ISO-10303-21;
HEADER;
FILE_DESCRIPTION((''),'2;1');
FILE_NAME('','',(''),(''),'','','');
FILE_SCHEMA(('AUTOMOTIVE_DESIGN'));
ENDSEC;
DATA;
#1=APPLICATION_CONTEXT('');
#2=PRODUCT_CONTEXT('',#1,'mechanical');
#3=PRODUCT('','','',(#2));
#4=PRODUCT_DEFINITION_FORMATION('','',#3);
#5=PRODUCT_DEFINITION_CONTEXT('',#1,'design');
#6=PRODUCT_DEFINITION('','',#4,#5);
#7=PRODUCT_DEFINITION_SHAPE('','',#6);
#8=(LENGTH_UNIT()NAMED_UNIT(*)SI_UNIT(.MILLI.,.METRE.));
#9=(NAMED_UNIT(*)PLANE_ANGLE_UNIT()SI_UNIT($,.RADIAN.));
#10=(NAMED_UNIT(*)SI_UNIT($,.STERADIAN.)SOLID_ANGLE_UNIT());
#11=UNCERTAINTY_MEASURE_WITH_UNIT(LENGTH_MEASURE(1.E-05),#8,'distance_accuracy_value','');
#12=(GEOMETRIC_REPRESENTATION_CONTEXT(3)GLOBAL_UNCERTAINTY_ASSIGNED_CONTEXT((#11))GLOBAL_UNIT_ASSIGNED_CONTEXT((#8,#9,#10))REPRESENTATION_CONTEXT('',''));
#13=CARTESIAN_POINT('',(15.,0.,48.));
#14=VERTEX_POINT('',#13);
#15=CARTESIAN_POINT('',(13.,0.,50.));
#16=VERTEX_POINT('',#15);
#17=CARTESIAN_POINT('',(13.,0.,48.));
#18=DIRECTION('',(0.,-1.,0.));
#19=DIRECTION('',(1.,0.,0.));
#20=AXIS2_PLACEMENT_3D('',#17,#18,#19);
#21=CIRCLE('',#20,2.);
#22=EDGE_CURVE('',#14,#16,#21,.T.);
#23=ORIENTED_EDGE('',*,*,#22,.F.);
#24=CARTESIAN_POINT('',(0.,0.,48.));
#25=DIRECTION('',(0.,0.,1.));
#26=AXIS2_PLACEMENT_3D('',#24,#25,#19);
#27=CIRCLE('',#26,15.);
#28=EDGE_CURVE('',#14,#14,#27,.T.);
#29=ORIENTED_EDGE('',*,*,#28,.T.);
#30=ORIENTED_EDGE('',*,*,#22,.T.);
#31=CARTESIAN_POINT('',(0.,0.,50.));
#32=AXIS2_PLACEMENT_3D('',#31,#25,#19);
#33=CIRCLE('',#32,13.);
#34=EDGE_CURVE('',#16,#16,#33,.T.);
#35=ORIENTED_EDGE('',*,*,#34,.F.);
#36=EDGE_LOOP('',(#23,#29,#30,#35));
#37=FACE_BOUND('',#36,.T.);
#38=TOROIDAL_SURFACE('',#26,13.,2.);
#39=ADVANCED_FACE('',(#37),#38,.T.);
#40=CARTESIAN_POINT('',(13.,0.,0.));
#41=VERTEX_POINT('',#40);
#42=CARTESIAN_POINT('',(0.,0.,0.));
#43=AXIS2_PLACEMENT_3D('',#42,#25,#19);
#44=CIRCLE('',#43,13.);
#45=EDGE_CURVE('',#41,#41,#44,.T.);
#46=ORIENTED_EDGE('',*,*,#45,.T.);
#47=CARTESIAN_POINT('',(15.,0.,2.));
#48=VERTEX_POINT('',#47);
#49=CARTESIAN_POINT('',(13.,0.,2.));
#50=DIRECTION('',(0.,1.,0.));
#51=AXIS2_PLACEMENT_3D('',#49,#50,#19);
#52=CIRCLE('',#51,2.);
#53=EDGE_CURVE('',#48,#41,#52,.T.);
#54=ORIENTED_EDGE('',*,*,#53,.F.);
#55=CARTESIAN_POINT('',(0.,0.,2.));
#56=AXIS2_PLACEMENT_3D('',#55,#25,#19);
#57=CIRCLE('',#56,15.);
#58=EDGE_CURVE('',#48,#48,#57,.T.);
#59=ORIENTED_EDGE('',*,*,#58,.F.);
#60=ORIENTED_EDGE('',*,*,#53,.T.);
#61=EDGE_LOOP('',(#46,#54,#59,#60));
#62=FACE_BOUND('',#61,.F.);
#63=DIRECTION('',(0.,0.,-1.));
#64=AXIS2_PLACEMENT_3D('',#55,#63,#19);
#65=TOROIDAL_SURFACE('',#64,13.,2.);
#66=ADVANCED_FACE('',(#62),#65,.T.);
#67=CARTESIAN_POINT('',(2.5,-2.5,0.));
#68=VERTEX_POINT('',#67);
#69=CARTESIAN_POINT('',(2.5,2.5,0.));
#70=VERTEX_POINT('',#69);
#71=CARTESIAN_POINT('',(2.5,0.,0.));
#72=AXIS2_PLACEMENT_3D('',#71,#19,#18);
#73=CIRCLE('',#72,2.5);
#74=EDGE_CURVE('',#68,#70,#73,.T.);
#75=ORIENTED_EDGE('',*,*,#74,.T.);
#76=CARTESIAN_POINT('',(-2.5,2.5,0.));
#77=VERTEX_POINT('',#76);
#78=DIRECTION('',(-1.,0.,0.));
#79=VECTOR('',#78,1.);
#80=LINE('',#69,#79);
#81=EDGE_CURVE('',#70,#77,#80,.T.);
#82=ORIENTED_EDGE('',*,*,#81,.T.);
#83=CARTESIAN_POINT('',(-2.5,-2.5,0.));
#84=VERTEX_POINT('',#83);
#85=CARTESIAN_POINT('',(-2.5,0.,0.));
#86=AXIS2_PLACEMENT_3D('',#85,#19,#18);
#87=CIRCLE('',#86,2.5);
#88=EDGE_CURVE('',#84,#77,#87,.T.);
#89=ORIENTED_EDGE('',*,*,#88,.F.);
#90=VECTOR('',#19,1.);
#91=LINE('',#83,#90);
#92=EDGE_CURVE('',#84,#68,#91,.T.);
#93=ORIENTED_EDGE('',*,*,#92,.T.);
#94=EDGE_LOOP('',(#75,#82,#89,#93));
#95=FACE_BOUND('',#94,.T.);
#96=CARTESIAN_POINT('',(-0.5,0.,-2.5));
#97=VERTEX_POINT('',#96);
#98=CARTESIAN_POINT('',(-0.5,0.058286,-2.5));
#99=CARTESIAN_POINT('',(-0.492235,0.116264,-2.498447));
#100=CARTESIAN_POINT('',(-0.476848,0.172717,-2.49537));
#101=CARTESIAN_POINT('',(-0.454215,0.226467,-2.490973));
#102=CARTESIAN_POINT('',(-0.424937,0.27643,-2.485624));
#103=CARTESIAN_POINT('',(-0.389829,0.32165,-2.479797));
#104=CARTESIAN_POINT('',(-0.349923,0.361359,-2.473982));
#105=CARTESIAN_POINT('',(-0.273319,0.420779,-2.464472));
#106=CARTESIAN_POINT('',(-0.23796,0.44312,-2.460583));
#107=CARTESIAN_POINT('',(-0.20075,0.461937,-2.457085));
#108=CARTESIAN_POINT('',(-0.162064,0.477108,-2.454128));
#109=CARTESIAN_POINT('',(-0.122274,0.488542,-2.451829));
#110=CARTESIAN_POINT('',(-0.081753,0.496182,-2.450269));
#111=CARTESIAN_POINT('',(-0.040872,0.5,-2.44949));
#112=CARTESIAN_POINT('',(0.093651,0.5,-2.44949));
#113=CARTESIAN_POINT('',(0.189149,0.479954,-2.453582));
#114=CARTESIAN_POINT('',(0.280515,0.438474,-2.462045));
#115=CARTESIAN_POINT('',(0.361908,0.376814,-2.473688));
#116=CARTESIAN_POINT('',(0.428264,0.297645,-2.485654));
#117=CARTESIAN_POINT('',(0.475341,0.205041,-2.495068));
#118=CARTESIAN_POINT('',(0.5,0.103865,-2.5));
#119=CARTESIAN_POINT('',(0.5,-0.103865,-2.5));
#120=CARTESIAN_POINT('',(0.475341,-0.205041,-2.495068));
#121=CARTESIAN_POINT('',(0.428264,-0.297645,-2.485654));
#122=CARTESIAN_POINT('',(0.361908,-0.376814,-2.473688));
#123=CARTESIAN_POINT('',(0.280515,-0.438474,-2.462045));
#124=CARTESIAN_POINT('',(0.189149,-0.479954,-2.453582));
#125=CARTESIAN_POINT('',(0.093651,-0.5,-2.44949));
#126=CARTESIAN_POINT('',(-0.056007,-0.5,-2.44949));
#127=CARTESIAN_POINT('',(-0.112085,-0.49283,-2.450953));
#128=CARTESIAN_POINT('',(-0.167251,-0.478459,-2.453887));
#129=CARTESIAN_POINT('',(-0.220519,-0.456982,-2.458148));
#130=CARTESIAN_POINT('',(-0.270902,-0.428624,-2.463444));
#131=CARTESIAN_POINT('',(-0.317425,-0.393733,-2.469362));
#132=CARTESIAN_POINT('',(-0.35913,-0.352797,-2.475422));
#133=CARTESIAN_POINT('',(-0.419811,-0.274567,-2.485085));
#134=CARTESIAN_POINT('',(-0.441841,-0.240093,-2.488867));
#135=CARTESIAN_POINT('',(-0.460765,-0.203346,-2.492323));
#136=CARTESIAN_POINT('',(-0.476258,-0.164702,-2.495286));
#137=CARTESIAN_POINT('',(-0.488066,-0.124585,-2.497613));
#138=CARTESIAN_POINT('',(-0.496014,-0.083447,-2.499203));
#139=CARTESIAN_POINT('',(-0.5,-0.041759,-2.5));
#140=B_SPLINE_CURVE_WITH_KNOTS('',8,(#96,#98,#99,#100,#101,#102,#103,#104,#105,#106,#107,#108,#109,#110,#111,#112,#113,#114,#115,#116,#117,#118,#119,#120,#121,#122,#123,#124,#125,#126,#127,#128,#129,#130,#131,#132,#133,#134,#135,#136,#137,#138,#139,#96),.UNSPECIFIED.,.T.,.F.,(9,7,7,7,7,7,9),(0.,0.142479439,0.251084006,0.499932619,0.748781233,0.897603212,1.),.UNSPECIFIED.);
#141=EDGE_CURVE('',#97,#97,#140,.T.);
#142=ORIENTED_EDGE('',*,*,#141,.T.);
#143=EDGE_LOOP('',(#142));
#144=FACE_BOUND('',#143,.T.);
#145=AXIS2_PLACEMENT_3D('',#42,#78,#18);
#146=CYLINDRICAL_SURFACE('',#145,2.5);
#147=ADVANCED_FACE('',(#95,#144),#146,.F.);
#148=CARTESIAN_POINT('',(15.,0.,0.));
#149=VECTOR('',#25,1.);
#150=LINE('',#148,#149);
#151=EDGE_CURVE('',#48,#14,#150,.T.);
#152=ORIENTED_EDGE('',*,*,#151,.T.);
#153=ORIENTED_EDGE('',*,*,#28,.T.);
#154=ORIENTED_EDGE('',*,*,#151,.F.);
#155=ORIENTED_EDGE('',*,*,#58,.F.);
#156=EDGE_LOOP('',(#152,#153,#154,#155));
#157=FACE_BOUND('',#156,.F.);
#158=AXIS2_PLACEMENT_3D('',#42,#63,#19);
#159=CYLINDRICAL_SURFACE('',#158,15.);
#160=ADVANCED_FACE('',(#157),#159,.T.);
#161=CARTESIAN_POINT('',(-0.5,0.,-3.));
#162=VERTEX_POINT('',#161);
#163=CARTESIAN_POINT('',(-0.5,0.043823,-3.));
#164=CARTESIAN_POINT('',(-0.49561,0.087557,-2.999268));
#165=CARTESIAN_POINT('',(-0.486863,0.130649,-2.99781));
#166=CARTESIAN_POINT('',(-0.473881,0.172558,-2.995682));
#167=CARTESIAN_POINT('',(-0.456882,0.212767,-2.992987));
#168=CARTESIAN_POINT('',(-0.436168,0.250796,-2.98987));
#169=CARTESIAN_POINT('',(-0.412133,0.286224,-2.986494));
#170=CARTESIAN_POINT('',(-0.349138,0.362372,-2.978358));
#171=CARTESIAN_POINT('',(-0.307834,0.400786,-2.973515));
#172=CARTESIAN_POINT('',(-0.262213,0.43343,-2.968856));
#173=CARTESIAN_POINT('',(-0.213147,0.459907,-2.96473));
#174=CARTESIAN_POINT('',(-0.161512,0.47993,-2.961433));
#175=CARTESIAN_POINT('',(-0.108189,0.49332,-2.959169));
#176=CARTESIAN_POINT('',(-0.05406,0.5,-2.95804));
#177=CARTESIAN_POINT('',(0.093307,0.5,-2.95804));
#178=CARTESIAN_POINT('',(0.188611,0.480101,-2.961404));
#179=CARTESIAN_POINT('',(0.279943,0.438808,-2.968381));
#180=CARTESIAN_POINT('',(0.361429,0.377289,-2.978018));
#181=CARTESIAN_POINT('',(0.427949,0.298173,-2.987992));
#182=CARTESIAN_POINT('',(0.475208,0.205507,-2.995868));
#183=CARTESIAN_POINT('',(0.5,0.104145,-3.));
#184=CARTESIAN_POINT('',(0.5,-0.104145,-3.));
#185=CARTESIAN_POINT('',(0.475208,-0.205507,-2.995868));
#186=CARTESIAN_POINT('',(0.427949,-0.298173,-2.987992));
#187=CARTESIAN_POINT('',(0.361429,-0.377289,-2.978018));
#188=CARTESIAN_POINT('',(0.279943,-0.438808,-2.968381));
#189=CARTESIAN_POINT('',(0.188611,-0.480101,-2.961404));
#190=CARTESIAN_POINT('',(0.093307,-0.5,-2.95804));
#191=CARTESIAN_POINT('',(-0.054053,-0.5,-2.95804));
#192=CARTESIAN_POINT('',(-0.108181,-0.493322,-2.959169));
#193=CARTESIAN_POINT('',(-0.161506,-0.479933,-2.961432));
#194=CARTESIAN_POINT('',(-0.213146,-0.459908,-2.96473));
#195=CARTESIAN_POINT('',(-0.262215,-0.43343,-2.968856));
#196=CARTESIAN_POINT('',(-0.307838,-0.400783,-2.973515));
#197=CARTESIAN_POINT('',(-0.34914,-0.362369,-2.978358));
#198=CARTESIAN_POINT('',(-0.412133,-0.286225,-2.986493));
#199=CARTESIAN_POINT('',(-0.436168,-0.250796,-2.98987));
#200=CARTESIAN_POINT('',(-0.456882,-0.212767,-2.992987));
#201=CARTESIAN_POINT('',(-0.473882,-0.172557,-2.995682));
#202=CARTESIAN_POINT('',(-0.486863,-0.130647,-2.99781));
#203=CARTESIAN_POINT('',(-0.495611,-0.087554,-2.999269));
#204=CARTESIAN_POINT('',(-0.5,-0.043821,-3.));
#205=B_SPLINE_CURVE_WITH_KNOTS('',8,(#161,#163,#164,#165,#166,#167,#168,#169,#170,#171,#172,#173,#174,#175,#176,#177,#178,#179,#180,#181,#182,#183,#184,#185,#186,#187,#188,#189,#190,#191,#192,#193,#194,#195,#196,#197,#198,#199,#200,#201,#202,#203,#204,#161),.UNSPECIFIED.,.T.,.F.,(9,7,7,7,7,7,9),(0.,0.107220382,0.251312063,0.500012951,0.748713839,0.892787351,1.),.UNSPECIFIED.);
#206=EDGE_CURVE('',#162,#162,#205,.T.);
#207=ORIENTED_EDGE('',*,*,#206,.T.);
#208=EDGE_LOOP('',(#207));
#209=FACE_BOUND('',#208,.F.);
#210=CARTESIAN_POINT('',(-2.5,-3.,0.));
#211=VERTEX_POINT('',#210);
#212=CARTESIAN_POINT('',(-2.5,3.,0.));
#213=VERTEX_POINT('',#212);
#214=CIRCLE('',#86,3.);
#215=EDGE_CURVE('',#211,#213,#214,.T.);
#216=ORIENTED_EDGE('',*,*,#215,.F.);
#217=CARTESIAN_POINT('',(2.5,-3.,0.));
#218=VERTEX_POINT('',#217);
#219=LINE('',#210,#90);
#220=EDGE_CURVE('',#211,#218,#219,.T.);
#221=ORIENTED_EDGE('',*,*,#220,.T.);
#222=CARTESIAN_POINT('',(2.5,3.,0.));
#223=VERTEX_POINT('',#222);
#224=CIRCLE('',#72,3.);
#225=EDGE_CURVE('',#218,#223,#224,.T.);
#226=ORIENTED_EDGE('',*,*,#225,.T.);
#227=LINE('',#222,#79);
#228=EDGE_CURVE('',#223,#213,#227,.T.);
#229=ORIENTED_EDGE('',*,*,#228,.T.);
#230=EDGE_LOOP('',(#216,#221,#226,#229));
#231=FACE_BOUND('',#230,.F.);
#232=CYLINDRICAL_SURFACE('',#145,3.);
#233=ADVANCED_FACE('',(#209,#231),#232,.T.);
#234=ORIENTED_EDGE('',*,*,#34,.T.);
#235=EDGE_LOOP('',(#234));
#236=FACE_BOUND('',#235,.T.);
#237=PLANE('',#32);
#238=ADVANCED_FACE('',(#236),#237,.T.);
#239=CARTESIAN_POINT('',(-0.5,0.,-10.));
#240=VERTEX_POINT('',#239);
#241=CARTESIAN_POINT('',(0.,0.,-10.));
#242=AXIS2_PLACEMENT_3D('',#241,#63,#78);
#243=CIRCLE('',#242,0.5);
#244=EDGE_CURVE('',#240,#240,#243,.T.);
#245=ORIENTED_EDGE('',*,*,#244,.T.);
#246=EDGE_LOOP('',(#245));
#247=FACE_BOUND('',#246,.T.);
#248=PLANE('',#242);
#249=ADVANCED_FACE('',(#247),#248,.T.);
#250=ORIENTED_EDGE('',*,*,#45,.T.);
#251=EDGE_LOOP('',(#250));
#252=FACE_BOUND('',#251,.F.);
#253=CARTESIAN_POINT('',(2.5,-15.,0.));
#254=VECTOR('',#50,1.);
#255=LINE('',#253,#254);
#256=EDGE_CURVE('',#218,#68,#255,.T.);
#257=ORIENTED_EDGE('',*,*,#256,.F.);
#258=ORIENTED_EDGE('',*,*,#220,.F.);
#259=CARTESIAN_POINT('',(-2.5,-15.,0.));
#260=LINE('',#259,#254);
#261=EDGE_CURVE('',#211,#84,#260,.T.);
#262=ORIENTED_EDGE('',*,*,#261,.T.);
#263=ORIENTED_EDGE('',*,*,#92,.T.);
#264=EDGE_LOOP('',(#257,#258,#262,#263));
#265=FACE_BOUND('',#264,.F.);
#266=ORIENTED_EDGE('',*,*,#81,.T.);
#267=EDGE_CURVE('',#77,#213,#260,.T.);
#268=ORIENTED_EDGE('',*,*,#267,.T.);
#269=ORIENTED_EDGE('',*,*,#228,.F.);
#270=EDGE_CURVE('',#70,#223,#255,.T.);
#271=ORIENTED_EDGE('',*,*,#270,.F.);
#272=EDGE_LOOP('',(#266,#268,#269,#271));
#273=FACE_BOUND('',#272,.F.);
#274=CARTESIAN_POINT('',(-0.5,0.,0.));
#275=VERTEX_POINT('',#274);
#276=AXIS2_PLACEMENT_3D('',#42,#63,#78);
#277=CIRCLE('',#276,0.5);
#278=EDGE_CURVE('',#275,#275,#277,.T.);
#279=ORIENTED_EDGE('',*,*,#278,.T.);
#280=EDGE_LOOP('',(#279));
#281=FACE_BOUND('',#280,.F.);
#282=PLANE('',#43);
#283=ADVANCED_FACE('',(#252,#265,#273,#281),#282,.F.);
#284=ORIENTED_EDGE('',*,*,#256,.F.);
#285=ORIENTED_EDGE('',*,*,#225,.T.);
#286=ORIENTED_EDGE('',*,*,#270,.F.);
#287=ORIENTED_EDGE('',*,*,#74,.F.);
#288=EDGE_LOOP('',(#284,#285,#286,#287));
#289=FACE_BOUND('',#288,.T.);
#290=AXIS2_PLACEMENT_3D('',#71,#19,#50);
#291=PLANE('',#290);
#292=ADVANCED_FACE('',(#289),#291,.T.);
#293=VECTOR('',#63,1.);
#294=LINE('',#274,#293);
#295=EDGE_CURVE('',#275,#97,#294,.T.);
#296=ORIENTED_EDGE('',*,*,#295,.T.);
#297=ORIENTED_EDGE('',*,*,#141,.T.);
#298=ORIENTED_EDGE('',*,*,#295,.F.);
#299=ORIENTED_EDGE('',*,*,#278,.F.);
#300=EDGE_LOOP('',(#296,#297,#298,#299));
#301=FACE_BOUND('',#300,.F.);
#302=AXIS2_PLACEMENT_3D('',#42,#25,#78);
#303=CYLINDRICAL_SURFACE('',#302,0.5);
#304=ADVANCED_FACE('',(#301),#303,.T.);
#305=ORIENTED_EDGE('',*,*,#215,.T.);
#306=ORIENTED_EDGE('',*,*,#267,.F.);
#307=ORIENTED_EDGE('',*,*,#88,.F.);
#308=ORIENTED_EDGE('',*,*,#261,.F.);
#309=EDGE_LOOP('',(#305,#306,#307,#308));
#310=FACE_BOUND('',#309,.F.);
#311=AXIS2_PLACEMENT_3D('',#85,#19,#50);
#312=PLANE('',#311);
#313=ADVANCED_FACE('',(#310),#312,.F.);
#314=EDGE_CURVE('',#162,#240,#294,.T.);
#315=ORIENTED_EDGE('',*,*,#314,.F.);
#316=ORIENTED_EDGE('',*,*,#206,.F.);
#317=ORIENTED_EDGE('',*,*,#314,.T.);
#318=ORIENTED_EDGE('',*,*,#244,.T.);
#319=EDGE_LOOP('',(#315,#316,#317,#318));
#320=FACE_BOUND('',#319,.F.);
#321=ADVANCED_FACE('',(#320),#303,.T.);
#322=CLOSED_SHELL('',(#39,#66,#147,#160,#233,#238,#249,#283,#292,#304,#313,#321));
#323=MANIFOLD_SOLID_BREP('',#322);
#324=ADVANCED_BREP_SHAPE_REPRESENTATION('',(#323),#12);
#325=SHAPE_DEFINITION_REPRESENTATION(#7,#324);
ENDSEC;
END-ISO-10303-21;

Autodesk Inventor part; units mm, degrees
ref_plane "YZ Plane" through (0, 0, 0) normal (1, 0, 0) x (0, 1, 0)
ref_plane "XZ Plane" through (0, 0, 0) normal (0, 1, 0) x (-1, 0, 0)
ref_plane "XY Plane" through (0, 0, 0) normal (0, 0, 1) x (1, 0, 0)
sketch "Sketch1" plane through (0, 0, 0) normal (0, 0, 1) x (1, 0, 0)
  circle A0 centre (0, 0) radius 15
  dimension "d0" = 30
extrude "Extrusion1" add sketch "Sketch1" along normal blind 50
sketch "Sketch2" plane through (0, 0, 50) normal (0, 0, 1) x (1, 0, 0)
  point P0 (0, 0)
sketch "Sketch3" plane through (0, 0, 0) normal (1, 0, 0) x (0, 1, 0)
  arc A0 (-2.5, 0) -> (2.5, 0) centre (0, 0) ccw
  arc A1 (-3, 0) -> (3, 0) centre (0, 0) ccw
  line L0 (-15, 0) -> (15, 0) projected
  line L1 (3, 0) -> (2.5, 0)
  line L2 (-2.5, 0) -> (-3, 0)
  dimension "d3" = 5
  dimension "d4" = 6
extrude "Extrusion2" add sketch "Sketch3" along normal mid plane 5 contours A0 L0 A1
fillet "Fillet1" radius 2 2 edges at (-15, 0, 50) (-15, 0, 0)
sketch "Sketch4" plane through (0, 0, 0) normal (0, 0, -1) x (-1, 0, 0)
  circle A0 centre (0, 0) radius 0.5
  dimension "d8" = 1
extrude "Extrusion3" add sketch "Sketch4" along normal blind 10
properties part number "weigth"
